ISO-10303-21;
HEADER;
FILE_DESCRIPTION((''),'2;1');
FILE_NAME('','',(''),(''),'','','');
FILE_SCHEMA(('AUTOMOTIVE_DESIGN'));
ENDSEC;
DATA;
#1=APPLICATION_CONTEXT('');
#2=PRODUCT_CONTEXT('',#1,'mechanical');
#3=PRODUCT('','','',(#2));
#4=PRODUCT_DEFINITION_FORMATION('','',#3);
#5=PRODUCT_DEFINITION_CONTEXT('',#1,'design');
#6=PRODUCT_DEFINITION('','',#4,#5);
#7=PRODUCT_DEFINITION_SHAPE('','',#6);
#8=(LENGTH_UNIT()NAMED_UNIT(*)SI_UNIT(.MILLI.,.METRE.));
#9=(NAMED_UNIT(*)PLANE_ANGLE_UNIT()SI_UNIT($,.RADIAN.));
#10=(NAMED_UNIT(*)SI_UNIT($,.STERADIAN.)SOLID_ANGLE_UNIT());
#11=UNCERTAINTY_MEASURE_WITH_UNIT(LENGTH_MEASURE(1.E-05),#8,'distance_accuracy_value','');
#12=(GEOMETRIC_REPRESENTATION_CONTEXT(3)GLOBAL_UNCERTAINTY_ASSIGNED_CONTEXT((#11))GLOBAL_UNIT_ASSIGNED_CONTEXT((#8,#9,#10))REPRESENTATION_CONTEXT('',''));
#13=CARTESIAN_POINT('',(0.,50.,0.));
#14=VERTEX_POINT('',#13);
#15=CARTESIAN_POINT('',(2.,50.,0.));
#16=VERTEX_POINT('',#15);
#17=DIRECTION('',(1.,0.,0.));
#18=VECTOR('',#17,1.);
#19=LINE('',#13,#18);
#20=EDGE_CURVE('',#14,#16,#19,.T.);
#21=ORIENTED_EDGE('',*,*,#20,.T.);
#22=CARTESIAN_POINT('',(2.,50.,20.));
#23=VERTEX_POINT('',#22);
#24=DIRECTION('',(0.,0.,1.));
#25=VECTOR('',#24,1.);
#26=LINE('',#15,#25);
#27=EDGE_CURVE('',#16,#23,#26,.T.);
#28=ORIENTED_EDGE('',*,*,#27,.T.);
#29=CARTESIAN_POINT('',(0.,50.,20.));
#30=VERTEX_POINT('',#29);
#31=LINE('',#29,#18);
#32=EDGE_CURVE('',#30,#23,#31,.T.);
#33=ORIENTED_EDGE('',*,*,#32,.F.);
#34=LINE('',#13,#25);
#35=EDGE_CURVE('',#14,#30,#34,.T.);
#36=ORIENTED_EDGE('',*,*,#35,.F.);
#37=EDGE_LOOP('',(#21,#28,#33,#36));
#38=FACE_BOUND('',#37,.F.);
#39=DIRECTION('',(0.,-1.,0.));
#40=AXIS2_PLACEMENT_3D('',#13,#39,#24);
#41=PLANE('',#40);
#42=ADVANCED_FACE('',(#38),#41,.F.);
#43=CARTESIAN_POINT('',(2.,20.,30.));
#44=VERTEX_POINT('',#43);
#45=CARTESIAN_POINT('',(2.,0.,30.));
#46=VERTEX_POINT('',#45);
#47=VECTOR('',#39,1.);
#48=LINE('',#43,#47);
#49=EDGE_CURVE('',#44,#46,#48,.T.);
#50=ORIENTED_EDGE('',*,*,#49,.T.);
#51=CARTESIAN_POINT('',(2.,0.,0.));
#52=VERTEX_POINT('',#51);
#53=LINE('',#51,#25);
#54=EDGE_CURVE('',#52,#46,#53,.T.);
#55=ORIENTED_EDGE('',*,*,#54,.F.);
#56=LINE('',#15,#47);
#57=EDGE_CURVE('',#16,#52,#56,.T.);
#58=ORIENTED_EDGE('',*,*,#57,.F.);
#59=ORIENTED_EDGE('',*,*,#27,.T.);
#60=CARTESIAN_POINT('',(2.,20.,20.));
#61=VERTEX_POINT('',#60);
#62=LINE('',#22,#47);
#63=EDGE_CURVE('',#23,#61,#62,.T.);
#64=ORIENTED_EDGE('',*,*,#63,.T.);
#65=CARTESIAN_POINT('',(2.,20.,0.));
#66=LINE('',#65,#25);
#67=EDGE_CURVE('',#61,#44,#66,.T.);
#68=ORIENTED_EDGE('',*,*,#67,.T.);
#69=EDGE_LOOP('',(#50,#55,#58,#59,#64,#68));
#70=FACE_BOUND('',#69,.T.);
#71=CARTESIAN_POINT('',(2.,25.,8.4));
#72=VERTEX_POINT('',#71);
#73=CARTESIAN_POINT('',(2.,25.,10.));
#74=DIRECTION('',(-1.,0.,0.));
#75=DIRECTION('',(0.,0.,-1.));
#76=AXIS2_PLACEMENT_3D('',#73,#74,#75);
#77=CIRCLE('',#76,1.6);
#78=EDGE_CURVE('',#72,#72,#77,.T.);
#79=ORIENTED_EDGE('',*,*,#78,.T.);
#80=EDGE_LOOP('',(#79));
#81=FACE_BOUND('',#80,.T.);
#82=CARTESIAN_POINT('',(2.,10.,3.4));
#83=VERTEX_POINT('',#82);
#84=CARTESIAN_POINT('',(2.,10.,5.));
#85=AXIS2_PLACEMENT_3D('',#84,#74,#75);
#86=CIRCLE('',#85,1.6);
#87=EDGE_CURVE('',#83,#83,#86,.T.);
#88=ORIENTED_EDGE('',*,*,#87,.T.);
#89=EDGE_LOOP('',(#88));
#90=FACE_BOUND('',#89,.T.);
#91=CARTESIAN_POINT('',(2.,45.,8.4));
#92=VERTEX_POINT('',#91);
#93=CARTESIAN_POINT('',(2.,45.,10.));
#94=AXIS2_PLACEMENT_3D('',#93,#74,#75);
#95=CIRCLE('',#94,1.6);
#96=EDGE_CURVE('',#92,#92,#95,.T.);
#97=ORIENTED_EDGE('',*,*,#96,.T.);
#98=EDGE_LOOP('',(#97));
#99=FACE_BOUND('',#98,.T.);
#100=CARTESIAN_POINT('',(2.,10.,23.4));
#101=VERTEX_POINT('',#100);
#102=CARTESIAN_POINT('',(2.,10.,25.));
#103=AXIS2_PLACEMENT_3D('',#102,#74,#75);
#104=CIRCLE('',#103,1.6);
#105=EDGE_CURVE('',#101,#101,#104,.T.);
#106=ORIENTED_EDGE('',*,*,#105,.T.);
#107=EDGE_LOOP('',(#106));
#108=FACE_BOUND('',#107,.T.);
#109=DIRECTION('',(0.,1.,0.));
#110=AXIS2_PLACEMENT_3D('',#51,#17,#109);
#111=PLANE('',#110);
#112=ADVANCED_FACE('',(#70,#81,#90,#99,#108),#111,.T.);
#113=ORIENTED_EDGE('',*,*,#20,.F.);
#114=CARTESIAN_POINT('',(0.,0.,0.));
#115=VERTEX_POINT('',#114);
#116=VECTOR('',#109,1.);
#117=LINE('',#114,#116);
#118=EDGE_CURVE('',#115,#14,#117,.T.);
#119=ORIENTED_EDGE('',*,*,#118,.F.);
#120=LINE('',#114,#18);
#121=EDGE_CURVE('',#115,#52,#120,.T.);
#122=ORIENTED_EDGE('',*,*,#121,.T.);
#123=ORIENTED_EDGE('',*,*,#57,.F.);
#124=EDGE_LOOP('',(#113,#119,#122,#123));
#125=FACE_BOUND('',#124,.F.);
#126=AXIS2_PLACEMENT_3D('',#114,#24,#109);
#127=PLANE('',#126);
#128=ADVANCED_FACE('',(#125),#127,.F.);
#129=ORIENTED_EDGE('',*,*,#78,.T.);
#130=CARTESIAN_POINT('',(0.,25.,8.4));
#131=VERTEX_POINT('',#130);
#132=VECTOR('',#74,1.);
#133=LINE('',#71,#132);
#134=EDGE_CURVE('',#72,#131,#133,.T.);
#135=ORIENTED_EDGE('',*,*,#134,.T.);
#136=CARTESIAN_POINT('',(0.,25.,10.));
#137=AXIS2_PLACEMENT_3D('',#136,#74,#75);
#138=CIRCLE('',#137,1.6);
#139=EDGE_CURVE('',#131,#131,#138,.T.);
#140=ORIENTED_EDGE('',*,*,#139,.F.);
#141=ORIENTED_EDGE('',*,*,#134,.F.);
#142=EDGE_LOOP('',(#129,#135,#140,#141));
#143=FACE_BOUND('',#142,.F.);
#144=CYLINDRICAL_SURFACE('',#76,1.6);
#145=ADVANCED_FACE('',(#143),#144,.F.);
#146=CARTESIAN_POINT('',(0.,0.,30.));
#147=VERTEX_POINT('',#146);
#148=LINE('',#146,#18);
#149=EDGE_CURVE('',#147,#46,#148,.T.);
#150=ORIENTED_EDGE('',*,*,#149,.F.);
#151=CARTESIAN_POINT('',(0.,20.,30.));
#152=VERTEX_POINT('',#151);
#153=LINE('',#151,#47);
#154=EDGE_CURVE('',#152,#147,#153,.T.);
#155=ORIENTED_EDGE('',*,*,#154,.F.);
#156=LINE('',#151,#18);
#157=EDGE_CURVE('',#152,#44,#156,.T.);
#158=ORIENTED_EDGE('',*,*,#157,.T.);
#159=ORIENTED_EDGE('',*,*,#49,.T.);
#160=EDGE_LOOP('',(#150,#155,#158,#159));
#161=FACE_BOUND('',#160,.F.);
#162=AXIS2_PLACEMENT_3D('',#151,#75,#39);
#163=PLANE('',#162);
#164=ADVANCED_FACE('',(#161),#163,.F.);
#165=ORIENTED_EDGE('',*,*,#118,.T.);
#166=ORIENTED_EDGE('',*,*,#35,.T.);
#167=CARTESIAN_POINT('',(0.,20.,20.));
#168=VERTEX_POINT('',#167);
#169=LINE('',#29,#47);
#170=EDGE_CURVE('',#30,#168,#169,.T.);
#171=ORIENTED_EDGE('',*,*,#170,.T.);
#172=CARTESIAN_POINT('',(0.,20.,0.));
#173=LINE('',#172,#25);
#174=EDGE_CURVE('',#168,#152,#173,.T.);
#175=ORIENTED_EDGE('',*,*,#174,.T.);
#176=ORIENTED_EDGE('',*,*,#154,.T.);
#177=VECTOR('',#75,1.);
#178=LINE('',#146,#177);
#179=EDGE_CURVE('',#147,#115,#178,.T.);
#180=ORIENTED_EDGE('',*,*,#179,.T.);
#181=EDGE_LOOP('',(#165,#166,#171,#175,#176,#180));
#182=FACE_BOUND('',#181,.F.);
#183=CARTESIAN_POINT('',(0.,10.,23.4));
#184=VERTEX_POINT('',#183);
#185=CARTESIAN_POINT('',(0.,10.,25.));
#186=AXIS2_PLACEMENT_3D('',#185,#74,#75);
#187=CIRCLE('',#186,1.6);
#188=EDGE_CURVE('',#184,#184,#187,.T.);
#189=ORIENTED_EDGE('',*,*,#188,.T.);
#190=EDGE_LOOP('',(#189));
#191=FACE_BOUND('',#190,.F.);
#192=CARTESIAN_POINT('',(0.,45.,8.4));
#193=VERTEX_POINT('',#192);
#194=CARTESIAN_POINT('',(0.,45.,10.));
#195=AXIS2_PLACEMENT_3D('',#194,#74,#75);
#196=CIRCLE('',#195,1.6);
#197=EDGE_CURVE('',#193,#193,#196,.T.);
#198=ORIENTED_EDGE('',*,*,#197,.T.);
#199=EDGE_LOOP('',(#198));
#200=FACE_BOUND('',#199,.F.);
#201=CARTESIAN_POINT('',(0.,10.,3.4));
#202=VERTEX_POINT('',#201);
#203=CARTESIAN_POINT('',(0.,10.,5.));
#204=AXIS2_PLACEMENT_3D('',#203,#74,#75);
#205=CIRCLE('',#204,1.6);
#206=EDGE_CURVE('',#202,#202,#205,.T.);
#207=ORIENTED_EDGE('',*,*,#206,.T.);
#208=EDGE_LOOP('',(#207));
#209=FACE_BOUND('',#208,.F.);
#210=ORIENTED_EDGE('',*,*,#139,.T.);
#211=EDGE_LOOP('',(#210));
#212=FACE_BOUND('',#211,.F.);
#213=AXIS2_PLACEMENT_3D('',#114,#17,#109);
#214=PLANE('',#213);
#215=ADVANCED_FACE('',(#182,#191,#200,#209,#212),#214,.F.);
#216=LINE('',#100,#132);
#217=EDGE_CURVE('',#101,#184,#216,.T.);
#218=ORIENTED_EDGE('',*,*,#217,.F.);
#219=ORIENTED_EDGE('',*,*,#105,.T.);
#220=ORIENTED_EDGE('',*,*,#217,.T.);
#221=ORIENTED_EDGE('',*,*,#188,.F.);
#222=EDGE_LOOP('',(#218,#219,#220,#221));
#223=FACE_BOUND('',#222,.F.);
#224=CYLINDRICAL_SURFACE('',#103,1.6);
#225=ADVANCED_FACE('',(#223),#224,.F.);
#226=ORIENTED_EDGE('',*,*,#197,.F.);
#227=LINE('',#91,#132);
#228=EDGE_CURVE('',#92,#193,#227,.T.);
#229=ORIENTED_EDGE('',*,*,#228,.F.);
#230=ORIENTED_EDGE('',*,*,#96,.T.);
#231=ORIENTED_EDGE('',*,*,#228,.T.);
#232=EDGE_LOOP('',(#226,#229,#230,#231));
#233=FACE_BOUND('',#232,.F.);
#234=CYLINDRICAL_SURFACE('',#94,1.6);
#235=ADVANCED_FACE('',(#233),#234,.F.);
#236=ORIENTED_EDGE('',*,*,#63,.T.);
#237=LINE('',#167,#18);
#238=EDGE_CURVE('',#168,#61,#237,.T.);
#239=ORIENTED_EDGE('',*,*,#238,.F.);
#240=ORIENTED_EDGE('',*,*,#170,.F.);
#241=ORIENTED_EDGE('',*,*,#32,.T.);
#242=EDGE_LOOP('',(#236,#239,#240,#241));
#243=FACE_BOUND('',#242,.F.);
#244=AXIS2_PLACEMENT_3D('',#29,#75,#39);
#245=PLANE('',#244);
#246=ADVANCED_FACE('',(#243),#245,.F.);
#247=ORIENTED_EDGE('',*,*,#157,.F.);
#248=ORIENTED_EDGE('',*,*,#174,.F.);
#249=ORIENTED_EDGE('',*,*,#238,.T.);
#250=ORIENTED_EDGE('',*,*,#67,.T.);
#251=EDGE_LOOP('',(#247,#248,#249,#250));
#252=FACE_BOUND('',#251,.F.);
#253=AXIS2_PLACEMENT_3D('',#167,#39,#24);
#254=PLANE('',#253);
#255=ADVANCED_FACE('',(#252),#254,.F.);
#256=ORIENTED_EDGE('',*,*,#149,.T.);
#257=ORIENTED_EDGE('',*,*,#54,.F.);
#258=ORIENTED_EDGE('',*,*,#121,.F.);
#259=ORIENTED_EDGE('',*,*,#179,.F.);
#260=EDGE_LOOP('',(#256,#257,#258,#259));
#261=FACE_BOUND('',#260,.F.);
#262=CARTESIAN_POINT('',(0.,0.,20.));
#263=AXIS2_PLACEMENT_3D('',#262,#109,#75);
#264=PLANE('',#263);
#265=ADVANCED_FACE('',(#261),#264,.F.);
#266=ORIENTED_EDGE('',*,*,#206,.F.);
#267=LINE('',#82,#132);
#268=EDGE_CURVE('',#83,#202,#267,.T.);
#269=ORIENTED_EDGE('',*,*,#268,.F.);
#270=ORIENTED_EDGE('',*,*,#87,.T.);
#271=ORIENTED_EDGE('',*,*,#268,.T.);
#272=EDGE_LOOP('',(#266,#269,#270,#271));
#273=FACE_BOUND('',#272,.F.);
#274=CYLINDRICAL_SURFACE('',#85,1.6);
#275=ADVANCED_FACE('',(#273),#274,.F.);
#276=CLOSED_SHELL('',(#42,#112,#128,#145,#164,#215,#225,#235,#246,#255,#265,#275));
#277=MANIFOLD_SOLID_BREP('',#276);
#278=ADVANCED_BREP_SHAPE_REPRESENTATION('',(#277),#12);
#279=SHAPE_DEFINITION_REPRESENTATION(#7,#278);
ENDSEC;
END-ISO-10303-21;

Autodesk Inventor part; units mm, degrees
ref_plane "YZ Plane" through (0, 0, 0) normal (1, 0, 0) x (0, 1, 0)
ref_plane "XZ Plane" through (0, 0, 0) normal (0, 1, 0) x (-1, 0, 0)
ref_plane "XY Plane" through (0, 0, 0) normal (0, 0, 1) x (1, 0, 0)
sketch "スケッチ1" plane through (0, 0, 0) normal (1, 0, 0) x (0, 1, 0)
  line L0 (0, 0) -> (50, 0)
  line L1 (50, 0) -> (50, 20)
  line L2 (50, 20) -> (0, 20)
  line L3 (0, 20) -> (0, 0)
  line L4 (0, 0) -> (20, 0)
  line L5 (20, 0) -> (20, 30)
  line L6 (20, 30) -> (0, 30)
  line L7 (0, 30) -> (0, 0)
  point P0 (0, 20)
  point P1 (20, 20)
  point P2 (20, 0)
  point P3 (20, 0)
  dimension "d0" = 20
  dimension "d1" = 20
  dimension "d2" = 30
  dimension "d3" = 30
extrude "押し出し1" add sketch "スケッチ1" along normal blind 2
sketch "スケッチ2" plane through (2, 0, 0) normal (1, 0, 0) x (0, 0, -1)
  line L0 (-30, 20) -> (-30, 0) projected
  line L1 (-30, 10) -> (0, 10) construction
  line L2 (0, 0) -> (0, 50) projected
  line L3 (0, 50) -> (-20, 50) projected
  line L4 (-10, 50) -> (-10, 0) construction
  line L5 (-30, 0) -> (0, 0) projected
  point P0 (-25, 10)
  point P1 (-5, 10)
  point P2 (-10, 25)
  point P3 (-10, 45)
  dimension "d6" = 20
  dimension "d7" = 5
  dimension "d8" = 20
  dimension "d9" = 5
hole "穴1" at (2, 10, 25) at (2, 10, 5) at (2, 25, 10) at (2, 45, 10) direction (-1, 0, 0) diameter 3.2 end through all
properties part number "FrameJointL2020" material "アルミニウム 6061"
